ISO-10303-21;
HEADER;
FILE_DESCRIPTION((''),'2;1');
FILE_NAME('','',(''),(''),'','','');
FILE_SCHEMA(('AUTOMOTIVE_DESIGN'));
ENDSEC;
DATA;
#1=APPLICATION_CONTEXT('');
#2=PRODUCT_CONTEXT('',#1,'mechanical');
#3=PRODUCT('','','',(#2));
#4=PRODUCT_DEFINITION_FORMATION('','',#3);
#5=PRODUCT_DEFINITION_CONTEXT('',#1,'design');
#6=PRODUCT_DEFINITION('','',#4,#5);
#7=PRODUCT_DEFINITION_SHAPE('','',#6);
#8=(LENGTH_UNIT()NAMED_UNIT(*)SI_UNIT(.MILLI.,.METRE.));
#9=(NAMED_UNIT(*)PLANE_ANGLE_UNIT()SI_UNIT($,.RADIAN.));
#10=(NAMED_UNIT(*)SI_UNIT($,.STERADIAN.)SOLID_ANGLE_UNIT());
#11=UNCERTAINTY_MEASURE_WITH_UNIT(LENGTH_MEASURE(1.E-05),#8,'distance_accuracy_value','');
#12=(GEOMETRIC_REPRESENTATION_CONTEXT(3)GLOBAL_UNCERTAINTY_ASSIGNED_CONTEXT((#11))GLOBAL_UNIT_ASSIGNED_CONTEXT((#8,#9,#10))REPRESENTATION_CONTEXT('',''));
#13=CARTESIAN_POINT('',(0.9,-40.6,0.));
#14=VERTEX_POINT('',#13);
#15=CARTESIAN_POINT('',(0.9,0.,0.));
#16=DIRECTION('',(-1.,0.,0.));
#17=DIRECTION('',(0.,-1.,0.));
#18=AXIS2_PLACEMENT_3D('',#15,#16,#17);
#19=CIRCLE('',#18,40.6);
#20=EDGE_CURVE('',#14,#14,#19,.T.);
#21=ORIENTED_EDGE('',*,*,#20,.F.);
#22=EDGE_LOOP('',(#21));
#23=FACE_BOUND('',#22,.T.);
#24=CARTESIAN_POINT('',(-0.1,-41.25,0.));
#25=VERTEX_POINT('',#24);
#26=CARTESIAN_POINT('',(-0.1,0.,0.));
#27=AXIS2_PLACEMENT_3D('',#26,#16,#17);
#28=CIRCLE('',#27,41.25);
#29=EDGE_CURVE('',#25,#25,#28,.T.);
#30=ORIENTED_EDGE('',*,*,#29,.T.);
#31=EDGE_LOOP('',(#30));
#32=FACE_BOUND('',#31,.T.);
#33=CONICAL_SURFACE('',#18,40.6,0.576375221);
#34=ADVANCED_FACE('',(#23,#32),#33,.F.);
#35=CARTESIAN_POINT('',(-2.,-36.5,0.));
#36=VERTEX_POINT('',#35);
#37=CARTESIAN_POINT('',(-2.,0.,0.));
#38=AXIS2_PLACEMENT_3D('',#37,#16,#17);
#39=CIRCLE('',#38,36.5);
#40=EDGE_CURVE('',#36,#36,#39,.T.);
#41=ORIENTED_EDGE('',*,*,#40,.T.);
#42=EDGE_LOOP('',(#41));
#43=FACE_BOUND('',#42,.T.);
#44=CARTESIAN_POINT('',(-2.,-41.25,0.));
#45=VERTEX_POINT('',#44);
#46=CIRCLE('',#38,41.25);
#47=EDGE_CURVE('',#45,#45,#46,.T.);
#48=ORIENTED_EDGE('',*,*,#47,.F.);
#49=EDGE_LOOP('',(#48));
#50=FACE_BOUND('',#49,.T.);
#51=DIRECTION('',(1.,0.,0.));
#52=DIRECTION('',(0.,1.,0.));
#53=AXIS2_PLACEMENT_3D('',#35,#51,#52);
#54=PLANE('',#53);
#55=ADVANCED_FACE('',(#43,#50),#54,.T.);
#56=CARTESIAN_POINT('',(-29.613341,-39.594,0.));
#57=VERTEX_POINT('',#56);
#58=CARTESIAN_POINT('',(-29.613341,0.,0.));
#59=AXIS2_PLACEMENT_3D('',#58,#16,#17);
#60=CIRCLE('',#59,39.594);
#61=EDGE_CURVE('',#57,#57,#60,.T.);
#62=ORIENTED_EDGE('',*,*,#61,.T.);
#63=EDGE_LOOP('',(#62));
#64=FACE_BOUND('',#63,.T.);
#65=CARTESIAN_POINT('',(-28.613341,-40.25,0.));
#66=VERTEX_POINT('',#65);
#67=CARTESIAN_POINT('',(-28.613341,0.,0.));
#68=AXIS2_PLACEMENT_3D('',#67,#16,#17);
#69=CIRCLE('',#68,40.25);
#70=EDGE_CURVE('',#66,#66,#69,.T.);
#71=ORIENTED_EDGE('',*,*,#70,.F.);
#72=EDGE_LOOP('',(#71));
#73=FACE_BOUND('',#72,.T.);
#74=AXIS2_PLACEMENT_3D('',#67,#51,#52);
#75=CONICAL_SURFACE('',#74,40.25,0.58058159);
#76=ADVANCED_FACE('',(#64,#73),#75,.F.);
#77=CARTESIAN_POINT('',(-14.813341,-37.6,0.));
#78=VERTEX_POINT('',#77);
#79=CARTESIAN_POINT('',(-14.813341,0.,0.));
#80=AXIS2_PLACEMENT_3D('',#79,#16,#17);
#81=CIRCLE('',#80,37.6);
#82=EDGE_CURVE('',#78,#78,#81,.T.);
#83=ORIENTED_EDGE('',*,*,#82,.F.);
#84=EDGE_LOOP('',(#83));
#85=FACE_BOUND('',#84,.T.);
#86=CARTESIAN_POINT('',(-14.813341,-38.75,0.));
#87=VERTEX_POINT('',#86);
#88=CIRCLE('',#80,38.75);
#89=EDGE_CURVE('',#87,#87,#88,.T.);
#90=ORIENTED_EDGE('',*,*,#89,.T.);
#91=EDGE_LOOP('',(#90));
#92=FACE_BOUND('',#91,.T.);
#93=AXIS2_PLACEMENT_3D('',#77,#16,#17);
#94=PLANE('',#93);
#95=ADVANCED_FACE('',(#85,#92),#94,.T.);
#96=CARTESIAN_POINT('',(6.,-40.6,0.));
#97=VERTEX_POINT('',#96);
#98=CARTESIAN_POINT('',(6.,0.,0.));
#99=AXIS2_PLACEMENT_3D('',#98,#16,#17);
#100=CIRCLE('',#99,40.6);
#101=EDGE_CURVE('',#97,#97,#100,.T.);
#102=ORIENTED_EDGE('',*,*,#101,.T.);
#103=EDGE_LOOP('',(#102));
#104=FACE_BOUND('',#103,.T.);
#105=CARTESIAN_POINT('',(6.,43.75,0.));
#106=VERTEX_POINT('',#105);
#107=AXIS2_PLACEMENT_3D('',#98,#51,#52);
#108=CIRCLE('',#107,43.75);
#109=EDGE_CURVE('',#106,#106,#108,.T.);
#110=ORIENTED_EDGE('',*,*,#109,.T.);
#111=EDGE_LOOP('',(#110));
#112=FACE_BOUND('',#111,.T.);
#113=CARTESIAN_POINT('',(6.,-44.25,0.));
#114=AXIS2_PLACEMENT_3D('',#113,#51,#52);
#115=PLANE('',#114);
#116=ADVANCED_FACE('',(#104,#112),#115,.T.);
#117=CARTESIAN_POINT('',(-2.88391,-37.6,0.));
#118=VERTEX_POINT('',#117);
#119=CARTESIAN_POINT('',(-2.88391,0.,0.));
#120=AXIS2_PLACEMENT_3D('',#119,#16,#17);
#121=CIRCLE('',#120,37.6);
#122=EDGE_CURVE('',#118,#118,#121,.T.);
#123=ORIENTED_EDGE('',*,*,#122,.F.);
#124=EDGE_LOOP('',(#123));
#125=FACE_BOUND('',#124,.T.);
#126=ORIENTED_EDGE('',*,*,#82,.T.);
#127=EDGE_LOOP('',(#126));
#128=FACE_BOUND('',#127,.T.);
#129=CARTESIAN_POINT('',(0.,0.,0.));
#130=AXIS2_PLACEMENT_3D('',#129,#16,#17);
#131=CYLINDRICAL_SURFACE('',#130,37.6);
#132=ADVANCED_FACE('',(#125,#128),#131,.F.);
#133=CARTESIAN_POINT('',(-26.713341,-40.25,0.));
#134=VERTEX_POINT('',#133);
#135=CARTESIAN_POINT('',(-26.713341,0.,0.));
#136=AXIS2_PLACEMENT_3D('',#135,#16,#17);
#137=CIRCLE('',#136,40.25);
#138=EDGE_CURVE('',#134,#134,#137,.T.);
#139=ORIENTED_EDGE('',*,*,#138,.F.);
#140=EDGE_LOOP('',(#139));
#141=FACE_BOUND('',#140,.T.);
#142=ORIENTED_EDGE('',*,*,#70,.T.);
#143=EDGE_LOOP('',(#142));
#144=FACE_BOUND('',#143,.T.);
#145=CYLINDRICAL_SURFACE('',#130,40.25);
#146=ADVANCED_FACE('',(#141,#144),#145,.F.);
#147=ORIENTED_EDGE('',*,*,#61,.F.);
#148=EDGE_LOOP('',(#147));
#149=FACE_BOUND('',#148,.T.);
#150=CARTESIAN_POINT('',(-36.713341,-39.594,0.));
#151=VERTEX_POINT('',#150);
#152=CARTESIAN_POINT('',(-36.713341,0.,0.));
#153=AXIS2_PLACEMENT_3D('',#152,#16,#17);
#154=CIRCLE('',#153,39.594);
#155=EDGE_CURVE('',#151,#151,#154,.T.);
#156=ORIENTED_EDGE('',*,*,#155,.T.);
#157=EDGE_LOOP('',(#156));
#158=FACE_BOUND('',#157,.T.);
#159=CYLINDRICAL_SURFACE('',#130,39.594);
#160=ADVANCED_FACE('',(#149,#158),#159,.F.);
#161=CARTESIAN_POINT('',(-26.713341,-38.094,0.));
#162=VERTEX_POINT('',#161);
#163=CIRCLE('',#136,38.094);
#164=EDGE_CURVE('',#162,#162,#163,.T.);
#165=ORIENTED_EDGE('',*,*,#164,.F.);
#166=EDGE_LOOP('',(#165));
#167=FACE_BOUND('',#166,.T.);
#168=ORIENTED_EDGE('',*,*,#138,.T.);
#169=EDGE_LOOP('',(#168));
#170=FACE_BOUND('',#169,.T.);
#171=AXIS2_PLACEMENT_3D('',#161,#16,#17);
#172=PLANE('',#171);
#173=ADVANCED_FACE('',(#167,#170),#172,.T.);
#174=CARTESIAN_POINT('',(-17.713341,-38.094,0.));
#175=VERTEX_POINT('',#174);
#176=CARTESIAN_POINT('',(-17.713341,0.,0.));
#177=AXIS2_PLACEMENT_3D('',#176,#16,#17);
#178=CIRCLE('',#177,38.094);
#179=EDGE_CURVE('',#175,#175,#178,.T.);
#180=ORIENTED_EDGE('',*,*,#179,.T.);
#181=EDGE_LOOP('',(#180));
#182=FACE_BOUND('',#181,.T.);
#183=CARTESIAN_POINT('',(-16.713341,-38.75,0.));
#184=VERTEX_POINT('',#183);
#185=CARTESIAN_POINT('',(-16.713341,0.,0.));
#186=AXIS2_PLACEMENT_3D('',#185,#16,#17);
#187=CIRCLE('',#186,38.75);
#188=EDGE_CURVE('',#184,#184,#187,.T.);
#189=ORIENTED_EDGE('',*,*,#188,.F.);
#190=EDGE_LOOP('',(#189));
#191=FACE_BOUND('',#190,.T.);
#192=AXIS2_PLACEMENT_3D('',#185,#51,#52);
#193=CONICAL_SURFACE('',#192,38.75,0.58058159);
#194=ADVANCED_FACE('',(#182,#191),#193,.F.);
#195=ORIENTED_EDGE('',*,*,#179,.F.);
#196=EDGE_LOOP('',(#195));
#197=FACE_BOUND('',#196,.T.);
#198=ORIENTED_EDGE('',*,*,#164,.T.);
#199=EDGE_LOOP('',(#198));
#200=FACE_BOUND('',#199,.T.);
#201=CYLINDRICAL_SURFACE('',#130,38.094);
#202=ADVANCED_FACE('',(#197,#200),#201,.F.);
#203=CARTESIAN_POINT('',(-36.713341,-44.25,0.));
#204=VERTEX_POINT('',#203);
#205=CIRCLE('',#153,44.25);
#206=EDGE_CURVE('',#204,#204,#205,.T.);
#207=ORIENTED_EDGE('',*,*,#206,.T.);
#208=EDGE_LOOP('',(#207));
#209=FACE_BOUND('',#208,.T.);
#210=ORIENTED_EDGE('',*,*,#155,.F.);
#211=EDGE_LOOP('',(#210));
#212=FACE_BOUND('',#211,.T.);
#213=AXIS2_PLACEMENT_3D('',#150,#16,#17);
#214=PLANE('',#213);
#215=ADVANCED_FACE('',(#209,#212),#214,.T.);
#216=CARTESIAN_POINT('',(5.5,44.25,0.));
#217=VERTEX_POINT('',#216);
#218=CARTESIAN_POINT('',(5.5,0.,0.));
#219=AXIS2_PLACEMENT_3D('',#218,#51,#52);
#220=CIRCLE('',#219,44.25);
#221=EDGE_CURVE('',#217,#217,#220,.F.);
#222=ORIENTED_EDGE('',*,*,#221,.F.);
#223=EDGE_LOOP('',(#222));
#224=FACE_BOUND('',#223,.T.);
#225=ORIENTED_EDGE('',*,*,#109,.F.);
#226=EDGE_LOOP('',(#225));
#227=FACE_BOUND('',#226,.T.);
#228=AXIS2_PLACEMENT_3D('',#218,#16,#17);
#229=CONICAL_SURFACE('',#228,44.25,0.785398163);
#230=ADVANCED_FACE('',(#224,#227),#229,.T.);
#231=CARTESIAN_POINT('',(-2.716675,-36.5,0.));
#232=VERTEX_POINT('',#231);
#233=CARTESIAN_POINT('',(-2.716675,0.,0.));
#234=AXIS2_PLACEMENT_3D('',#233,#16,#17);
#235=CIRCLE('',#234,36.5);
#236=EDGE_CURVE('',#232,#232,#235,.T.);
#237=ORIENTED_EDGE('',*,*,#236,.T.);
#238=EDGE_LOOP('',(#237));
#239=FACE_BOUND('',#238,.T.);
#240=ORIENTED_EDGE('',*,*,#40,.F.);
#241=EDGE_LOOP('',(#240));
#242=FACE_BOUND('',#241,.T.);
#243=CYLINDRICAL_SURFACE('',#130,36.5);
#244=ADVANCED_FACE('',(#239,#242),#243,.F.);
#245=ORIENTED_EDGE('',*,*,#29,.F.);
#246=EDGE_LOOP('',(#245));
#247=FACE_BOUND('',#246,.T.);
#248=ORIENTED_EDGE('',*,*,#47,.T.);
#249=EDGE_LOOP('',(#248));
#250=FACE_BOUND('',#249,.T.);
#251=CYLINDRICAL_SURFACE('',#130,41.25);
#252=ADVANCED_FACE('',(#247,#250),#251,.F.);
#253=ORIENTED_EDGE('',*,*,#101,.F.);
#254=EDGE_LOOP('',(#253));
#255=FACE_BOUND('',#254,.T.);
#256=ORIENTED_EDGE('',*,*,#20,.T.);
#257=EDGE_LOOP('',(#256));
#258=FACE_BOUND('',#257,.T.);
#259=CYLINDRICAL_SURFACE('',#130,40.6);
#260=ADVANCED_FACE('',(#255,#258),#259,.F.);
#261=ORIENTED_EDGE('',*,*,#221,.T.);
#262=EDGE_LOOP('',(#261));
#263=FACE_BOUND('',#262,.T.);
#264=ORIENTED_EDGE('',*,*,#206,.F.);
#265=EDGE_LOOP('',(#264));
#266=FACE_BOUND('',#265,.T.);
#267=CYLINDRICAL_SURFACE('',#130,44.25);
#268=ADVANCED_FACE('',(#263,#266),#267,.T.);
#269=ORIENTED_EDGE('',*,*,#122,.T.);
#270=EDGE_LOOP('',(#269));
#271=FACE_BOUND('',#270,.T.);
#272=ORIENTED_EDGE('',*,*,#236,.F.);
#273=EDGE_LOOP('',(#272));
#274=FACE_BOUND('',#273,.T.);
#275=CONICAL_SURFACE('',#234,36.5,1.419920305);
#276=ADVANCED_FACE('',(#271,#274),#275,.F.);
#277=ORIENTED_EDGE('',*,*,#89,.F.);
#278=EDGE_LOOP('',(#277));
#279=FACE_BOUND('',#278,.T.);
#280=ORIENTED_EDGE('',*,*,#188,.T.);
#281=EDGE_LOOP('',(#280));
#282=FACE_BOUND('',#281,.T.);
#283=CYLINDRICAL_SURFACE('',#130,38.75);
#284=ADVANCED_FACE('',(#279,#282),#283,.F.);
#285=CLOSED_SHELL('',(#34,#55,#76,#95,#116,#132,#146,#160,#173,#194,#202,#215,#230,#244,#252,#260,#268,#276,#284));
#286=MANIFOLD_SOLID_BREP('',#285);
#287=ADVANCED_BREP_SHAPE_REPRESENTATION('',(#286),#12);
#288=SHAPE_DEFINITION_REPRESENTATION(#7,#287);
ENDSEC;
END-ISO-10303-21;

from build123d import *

# Parameters (mm, degrees)
ZKOSEN_1_SIZE = 0.5


with BuildPart() as part:
    # Skica2 → Rotovat1 (revolve)
    with BuildSketch(Plane.XY):
        Polygon((-36.713340937, -44.25), (6, -44.25), (6, -40.6), (0.9, -40.6), (-0.1, -41.25), (-2, -41.25), (-2, -36.5), (-2.716675115, -36.5), (-2.883909622, -37.600000008), (-14.813340937, -37.600000008), (-14.813340937, -38.75), (-16.713340937, -38.75), (-17.713340937, -38.094), (-26.713340937, -38.094), (-26.713340937, -40.25), (-28.613340937, -40.25), (-29.613340937, -39.594), (-36.713340937, -39.594), align=None)
    revolve(axis=Axis((0, 0, 0), (1, 0, 0)))

    # Zkosení1
    zkosen_1_edges = [part.edges().sort_by_distance(p)[0] for p in [
        (6, 44.25, 0),
    ]]
    chamfer(zkosen_1_edges, length=ZKOSEN_1_SIZE)


solid = part.part
